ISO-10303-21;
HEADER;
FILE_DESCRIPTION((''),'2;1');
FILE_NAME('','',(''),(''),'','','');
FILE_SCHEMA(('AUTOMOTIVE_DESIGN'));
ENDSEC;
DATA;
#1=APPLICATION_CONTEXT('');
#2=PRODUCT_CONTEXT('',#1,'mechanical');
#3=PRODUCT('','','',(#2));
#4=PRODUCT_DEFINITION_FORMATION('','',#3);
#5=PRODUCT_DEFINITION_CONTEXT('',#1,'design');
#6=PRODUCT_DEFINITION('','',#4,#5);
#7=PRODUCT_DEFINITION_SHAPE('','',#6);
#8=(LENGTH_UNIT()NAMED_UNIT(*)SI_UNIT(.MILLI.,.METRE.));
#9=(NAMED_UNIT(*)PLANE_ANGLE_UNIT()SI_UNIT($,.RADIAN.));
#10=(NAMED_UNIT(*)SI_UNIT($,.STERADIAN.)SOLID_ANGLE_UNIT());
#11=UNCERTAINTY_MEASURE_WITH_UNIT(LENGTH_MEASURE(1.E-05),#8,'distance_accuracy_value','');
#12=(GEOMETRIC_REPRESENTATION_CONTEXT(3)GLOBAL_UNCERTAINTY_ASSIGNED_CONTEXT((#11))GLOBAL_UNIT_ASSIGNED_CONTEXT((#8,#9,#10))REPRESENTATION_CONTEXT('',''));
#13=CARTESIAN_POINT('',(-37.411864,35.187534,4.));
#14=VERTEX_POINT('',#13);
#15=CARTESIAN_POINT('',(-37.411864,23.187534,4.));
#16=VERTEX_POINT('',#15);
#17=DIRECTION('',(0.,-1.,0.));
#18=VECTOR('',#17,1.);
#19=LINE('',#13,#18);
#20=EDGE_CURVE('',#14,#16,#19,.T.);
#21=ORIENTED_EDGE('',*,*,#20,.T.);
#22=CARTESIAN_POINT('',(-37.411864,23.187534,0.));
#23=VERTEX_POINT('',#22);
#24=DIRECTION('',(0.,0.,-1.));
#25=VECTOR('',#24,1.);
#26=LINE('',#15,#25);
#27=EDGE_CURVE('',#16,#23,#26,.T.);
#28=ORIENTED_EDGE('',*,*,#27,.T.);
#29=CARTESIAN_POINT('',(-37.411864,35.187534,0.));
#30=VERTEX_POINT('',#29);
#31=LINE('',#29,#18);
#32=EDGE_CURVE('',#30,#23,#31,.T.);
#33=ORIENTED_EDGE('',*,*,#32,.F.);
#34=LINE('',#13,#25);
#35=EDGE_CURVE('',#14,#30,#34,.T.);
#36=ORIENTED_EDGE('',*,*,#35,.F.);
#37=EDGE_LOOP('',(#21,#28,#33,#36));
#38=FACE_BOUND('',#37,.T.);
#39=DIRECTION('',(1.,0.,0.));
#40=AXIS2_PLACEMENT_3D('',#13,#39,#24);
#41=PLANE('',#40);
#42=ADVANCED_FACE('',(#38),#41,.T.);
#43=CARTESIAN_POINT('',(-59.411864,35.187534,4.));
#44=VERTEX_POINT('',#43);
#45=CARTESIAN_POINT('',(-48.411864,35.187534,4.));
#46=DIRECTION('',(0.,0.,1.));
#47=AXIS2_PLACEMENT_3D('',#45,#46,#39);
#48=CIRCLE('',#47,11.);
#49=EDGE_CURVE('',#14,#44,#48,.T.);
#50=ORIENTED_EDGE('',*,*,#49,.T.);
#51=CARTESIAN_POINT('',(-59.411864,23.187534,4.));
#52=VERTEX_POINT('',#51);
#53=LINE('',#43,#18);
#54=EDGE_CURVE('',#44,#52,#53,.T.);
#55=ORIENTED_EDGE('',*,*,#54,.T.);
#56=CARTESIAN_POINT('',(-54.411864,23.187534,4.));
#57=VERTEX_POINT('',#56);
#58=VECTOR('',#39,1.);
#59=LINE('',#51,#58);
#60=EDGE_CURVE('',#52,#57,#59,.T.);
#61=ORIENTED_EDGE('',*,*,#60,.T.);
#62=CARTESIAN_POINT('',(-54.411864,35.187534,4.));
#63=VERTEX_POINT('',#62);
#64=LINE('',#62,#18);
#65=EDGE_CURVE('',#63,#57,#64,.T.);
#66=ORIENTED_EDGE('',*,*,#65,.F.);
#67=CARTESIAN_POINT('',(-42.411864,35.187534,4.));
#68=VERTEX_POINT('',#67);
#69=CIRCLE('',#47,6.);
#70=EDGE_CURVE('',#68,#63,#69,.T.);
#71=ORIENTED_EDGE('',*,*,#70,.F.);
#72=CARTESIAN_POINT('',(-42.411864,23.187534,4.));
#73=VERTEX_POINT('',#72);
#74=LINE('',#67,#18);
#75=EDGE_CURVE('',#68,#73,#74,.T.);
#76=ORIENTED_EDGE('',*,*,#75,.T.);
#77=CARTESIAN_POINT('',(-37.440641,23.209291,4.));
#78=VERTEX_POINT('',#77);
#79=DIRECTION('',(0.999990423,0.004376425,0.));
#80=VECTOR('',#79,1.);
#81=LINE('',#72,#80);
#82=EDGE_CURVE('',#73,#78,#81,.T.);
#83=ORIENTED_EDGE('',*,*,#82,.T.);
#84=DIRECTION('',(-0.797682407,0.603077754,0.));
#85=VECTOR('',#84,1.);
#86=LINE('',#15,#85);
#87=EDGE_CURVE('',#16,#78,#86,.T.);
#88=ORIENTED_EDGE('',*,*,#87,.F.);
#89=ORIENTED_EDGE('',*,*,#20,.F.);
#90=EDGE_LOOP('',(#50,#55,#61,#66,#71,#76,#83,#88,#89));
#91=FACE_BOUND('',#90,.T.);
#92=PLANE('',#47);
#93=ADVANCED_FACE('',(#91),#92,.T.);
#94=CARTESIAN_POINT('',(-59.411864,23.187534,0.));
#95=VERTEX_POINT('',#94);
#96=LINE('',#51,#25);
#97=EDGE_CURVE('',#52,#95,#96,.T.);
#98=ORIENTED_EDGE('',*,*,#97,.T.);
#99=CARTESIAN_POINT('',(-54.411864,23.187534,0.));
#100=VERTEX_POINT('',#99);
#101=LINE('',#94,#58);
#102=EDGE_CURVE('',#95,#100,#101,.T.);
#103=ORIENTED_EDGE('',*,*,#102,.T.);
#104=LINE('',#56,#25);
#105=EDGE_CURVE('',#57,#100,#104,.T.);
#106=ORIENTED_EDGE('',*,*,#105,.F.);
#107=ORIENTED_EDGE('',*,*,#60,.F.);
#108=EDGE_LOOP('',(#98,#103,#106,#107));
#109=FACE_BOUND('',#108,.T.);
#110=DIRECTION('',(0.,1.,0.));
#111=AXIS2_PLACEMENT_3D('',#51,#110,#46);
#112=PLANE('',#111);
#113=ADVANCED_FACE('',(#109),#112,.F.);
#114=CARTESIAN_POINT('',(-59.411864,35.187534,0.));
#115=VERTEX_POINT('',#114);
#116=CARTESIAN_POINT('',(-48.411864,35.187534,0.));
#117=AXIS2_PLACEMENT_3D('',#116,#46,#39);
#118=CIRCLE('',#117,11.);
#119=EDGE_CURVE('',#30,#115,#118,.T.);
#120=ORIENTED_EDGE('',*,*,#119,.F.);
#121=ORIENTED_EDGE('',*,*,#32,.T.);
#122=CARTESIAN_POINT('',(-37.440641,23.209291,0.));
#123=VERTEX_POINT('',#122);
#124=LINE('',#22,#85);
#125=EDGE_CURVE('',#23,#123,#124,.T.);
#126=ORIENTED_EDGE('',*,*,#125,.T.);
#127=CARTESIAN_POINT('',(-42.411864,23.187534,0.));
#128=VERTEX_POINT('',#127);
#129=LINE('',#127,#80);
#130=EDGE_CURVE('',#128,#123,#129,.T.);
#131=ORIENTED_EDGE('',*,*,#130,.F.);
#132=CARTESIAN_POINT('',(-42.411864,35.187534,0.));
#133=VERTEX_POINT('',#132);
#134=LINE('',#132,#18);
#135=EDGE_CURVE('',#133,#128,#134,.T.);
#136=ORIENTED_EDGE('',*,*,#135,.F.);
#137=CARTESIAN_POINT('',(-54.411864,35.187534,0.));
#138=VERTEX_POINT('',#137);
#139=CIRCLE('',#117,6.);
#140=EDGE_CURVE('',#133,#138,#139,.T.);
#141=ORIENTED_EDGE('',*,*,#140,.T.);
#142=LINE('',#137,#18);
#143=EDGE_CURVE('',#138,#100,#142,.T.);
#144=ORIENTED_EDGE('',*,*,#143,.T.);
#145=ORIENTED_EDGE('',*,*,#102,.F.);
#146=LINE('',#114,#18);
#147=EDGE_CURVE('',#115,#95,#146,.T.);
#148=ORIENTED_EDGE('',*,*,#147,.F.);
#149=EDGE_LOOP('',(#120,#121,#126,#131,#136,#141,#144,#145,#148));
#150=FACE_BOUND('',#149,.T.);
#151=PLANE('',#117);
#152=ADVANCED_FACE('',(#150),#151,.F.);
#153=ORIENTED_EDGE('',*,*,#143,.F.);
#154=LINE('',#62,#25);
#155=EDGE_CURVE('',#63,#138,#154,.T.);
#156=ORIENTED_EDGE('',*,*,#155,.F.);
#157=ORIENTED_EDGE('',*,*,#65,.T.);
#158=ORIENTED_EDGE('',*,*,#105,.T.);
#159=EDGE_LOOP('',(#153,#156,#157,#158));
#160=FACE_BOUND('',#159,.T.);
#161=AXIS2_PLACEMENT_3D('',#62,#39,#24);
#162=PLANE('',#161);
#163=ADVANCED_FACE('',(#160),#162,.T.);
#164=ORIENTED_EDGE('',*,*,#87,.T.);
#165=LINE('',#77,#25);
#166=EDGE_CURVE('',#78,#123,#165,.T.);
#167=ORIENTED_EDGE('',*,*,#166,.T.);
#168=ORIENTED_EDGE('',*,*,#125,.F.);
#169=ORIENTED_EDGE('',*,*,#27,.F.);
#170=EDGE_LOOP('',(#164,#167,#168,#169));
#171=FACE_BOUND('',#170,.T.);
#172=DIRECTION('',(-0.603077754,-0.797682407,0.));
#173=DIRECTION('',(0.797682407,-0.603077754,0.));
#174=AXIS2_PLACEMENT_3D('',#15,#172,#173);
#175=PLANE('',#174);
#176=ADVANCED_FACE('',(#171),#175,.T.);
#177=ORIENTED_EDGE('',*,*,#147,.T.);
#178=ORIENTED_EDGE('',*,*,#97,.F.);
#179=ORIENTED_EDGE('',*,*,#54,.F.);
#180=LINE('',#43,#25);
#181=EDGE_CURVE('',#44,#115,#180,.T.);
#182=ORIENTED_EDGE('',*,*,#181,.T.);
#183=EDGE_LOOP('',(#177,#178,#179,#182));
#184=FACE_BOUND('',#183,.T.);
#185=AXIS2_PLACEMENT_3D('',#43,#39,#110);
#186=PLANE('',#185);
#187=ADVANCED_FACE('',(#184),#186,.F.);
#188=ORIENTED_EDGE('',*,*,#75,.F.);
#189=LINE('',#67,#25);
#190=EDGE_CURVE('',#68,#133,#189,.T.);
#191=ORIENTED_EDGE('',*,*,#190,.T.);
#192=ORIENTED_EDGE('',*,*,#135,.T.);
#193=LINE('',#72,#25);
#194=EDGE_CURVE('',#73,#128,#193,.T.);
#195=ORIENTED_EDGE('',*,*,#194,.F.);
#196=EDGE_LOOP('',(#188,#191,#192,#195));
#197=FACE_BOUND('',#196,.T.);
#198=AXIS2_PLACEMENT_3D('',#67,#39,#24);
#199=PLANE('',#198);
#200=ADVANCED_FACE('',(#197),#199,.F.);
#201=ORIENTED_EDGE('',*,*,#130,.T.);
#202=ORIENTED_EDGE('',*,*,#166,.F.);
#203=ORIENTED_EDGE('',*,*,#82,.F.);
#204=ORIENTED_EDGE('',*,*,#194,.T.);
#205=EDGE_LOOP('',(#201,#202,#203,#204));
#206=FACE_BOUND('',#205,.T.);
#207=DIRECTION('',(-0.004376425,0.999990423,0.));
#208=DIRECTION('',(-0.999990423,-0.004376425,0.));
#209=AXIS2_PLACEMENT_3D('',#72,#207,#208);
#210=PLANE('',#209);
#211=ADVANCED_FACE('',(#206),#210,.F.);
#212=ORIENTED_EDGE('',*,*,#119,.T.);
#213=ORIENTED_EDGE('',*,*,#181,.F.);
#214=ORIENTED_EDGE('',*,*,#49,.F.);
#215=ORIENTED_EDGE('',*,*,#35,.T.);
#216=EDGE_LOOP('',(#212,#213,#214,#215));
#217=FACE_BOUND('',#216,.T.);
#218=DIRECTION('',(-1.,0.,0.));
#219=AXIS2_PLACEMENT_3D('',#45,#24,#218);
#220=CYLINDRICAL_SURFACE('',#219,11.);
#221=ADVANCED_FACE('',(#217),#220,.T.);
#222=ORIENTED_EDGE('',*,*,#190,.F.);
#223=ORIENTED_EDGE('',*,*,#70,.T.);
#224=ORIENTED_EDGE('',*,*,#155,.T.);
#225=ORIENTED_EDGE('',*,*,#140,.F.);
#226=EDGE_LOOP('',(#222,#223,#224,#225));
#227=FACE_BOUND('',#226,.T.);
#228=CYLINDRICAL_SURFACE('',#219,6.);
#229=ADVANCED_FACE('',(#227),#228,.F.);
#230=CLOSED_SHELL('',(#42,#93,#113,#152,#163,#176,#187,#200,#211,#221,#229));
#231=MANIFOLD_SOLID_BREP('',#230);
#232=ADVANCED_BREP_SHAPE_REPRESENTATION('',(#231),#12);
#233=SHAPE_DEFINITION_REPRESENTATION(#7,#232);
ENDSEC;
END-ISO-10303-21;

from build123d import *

# Parameters (mm, degrees)
BOSS_EXTRUDE1_DEPTH = 4


with BuildPart() as part:
    # Sketch2 → Boss-Extrude1 (new body)
    with BuildSketch(Plane.XY):
        with BuildLine():
            Line((-37.411863854, 35.187534323), (-37.411863854, 23.187534323))
            Line((-37.411863854, 23.187534323), (-37.440640728, 23.209290717))
            Line((-37.440640728, 23.209290717), (-42.411863854, 23.187534323))
            Line((-42.411863854, 23.187534323), (-42.411863854, 35.187534323))
            ThreePointArc((-42.411863854, 35.187534323), (-48.411863854, 41.187534323), (-54.411863854, 35.187534323))
            Line((-54.411863854, 35.187534323), (-54.411863854, 23.187534323))
            Line((-54.411863854, 23.187534323), (-59.411863854, 23.187534323))
            Line((-59.411863854, 23.187534323), (-59.411863854, 35.187534323))
            ThreePointArc((-59.411863854, 35.187534323), (-48.411863854, 46.187534323), (-37.411863854, 35.187534323))
        make_face()
    extrude(amount=BOSS_EXTRUDE1_DEPTH)


solid = part.part
